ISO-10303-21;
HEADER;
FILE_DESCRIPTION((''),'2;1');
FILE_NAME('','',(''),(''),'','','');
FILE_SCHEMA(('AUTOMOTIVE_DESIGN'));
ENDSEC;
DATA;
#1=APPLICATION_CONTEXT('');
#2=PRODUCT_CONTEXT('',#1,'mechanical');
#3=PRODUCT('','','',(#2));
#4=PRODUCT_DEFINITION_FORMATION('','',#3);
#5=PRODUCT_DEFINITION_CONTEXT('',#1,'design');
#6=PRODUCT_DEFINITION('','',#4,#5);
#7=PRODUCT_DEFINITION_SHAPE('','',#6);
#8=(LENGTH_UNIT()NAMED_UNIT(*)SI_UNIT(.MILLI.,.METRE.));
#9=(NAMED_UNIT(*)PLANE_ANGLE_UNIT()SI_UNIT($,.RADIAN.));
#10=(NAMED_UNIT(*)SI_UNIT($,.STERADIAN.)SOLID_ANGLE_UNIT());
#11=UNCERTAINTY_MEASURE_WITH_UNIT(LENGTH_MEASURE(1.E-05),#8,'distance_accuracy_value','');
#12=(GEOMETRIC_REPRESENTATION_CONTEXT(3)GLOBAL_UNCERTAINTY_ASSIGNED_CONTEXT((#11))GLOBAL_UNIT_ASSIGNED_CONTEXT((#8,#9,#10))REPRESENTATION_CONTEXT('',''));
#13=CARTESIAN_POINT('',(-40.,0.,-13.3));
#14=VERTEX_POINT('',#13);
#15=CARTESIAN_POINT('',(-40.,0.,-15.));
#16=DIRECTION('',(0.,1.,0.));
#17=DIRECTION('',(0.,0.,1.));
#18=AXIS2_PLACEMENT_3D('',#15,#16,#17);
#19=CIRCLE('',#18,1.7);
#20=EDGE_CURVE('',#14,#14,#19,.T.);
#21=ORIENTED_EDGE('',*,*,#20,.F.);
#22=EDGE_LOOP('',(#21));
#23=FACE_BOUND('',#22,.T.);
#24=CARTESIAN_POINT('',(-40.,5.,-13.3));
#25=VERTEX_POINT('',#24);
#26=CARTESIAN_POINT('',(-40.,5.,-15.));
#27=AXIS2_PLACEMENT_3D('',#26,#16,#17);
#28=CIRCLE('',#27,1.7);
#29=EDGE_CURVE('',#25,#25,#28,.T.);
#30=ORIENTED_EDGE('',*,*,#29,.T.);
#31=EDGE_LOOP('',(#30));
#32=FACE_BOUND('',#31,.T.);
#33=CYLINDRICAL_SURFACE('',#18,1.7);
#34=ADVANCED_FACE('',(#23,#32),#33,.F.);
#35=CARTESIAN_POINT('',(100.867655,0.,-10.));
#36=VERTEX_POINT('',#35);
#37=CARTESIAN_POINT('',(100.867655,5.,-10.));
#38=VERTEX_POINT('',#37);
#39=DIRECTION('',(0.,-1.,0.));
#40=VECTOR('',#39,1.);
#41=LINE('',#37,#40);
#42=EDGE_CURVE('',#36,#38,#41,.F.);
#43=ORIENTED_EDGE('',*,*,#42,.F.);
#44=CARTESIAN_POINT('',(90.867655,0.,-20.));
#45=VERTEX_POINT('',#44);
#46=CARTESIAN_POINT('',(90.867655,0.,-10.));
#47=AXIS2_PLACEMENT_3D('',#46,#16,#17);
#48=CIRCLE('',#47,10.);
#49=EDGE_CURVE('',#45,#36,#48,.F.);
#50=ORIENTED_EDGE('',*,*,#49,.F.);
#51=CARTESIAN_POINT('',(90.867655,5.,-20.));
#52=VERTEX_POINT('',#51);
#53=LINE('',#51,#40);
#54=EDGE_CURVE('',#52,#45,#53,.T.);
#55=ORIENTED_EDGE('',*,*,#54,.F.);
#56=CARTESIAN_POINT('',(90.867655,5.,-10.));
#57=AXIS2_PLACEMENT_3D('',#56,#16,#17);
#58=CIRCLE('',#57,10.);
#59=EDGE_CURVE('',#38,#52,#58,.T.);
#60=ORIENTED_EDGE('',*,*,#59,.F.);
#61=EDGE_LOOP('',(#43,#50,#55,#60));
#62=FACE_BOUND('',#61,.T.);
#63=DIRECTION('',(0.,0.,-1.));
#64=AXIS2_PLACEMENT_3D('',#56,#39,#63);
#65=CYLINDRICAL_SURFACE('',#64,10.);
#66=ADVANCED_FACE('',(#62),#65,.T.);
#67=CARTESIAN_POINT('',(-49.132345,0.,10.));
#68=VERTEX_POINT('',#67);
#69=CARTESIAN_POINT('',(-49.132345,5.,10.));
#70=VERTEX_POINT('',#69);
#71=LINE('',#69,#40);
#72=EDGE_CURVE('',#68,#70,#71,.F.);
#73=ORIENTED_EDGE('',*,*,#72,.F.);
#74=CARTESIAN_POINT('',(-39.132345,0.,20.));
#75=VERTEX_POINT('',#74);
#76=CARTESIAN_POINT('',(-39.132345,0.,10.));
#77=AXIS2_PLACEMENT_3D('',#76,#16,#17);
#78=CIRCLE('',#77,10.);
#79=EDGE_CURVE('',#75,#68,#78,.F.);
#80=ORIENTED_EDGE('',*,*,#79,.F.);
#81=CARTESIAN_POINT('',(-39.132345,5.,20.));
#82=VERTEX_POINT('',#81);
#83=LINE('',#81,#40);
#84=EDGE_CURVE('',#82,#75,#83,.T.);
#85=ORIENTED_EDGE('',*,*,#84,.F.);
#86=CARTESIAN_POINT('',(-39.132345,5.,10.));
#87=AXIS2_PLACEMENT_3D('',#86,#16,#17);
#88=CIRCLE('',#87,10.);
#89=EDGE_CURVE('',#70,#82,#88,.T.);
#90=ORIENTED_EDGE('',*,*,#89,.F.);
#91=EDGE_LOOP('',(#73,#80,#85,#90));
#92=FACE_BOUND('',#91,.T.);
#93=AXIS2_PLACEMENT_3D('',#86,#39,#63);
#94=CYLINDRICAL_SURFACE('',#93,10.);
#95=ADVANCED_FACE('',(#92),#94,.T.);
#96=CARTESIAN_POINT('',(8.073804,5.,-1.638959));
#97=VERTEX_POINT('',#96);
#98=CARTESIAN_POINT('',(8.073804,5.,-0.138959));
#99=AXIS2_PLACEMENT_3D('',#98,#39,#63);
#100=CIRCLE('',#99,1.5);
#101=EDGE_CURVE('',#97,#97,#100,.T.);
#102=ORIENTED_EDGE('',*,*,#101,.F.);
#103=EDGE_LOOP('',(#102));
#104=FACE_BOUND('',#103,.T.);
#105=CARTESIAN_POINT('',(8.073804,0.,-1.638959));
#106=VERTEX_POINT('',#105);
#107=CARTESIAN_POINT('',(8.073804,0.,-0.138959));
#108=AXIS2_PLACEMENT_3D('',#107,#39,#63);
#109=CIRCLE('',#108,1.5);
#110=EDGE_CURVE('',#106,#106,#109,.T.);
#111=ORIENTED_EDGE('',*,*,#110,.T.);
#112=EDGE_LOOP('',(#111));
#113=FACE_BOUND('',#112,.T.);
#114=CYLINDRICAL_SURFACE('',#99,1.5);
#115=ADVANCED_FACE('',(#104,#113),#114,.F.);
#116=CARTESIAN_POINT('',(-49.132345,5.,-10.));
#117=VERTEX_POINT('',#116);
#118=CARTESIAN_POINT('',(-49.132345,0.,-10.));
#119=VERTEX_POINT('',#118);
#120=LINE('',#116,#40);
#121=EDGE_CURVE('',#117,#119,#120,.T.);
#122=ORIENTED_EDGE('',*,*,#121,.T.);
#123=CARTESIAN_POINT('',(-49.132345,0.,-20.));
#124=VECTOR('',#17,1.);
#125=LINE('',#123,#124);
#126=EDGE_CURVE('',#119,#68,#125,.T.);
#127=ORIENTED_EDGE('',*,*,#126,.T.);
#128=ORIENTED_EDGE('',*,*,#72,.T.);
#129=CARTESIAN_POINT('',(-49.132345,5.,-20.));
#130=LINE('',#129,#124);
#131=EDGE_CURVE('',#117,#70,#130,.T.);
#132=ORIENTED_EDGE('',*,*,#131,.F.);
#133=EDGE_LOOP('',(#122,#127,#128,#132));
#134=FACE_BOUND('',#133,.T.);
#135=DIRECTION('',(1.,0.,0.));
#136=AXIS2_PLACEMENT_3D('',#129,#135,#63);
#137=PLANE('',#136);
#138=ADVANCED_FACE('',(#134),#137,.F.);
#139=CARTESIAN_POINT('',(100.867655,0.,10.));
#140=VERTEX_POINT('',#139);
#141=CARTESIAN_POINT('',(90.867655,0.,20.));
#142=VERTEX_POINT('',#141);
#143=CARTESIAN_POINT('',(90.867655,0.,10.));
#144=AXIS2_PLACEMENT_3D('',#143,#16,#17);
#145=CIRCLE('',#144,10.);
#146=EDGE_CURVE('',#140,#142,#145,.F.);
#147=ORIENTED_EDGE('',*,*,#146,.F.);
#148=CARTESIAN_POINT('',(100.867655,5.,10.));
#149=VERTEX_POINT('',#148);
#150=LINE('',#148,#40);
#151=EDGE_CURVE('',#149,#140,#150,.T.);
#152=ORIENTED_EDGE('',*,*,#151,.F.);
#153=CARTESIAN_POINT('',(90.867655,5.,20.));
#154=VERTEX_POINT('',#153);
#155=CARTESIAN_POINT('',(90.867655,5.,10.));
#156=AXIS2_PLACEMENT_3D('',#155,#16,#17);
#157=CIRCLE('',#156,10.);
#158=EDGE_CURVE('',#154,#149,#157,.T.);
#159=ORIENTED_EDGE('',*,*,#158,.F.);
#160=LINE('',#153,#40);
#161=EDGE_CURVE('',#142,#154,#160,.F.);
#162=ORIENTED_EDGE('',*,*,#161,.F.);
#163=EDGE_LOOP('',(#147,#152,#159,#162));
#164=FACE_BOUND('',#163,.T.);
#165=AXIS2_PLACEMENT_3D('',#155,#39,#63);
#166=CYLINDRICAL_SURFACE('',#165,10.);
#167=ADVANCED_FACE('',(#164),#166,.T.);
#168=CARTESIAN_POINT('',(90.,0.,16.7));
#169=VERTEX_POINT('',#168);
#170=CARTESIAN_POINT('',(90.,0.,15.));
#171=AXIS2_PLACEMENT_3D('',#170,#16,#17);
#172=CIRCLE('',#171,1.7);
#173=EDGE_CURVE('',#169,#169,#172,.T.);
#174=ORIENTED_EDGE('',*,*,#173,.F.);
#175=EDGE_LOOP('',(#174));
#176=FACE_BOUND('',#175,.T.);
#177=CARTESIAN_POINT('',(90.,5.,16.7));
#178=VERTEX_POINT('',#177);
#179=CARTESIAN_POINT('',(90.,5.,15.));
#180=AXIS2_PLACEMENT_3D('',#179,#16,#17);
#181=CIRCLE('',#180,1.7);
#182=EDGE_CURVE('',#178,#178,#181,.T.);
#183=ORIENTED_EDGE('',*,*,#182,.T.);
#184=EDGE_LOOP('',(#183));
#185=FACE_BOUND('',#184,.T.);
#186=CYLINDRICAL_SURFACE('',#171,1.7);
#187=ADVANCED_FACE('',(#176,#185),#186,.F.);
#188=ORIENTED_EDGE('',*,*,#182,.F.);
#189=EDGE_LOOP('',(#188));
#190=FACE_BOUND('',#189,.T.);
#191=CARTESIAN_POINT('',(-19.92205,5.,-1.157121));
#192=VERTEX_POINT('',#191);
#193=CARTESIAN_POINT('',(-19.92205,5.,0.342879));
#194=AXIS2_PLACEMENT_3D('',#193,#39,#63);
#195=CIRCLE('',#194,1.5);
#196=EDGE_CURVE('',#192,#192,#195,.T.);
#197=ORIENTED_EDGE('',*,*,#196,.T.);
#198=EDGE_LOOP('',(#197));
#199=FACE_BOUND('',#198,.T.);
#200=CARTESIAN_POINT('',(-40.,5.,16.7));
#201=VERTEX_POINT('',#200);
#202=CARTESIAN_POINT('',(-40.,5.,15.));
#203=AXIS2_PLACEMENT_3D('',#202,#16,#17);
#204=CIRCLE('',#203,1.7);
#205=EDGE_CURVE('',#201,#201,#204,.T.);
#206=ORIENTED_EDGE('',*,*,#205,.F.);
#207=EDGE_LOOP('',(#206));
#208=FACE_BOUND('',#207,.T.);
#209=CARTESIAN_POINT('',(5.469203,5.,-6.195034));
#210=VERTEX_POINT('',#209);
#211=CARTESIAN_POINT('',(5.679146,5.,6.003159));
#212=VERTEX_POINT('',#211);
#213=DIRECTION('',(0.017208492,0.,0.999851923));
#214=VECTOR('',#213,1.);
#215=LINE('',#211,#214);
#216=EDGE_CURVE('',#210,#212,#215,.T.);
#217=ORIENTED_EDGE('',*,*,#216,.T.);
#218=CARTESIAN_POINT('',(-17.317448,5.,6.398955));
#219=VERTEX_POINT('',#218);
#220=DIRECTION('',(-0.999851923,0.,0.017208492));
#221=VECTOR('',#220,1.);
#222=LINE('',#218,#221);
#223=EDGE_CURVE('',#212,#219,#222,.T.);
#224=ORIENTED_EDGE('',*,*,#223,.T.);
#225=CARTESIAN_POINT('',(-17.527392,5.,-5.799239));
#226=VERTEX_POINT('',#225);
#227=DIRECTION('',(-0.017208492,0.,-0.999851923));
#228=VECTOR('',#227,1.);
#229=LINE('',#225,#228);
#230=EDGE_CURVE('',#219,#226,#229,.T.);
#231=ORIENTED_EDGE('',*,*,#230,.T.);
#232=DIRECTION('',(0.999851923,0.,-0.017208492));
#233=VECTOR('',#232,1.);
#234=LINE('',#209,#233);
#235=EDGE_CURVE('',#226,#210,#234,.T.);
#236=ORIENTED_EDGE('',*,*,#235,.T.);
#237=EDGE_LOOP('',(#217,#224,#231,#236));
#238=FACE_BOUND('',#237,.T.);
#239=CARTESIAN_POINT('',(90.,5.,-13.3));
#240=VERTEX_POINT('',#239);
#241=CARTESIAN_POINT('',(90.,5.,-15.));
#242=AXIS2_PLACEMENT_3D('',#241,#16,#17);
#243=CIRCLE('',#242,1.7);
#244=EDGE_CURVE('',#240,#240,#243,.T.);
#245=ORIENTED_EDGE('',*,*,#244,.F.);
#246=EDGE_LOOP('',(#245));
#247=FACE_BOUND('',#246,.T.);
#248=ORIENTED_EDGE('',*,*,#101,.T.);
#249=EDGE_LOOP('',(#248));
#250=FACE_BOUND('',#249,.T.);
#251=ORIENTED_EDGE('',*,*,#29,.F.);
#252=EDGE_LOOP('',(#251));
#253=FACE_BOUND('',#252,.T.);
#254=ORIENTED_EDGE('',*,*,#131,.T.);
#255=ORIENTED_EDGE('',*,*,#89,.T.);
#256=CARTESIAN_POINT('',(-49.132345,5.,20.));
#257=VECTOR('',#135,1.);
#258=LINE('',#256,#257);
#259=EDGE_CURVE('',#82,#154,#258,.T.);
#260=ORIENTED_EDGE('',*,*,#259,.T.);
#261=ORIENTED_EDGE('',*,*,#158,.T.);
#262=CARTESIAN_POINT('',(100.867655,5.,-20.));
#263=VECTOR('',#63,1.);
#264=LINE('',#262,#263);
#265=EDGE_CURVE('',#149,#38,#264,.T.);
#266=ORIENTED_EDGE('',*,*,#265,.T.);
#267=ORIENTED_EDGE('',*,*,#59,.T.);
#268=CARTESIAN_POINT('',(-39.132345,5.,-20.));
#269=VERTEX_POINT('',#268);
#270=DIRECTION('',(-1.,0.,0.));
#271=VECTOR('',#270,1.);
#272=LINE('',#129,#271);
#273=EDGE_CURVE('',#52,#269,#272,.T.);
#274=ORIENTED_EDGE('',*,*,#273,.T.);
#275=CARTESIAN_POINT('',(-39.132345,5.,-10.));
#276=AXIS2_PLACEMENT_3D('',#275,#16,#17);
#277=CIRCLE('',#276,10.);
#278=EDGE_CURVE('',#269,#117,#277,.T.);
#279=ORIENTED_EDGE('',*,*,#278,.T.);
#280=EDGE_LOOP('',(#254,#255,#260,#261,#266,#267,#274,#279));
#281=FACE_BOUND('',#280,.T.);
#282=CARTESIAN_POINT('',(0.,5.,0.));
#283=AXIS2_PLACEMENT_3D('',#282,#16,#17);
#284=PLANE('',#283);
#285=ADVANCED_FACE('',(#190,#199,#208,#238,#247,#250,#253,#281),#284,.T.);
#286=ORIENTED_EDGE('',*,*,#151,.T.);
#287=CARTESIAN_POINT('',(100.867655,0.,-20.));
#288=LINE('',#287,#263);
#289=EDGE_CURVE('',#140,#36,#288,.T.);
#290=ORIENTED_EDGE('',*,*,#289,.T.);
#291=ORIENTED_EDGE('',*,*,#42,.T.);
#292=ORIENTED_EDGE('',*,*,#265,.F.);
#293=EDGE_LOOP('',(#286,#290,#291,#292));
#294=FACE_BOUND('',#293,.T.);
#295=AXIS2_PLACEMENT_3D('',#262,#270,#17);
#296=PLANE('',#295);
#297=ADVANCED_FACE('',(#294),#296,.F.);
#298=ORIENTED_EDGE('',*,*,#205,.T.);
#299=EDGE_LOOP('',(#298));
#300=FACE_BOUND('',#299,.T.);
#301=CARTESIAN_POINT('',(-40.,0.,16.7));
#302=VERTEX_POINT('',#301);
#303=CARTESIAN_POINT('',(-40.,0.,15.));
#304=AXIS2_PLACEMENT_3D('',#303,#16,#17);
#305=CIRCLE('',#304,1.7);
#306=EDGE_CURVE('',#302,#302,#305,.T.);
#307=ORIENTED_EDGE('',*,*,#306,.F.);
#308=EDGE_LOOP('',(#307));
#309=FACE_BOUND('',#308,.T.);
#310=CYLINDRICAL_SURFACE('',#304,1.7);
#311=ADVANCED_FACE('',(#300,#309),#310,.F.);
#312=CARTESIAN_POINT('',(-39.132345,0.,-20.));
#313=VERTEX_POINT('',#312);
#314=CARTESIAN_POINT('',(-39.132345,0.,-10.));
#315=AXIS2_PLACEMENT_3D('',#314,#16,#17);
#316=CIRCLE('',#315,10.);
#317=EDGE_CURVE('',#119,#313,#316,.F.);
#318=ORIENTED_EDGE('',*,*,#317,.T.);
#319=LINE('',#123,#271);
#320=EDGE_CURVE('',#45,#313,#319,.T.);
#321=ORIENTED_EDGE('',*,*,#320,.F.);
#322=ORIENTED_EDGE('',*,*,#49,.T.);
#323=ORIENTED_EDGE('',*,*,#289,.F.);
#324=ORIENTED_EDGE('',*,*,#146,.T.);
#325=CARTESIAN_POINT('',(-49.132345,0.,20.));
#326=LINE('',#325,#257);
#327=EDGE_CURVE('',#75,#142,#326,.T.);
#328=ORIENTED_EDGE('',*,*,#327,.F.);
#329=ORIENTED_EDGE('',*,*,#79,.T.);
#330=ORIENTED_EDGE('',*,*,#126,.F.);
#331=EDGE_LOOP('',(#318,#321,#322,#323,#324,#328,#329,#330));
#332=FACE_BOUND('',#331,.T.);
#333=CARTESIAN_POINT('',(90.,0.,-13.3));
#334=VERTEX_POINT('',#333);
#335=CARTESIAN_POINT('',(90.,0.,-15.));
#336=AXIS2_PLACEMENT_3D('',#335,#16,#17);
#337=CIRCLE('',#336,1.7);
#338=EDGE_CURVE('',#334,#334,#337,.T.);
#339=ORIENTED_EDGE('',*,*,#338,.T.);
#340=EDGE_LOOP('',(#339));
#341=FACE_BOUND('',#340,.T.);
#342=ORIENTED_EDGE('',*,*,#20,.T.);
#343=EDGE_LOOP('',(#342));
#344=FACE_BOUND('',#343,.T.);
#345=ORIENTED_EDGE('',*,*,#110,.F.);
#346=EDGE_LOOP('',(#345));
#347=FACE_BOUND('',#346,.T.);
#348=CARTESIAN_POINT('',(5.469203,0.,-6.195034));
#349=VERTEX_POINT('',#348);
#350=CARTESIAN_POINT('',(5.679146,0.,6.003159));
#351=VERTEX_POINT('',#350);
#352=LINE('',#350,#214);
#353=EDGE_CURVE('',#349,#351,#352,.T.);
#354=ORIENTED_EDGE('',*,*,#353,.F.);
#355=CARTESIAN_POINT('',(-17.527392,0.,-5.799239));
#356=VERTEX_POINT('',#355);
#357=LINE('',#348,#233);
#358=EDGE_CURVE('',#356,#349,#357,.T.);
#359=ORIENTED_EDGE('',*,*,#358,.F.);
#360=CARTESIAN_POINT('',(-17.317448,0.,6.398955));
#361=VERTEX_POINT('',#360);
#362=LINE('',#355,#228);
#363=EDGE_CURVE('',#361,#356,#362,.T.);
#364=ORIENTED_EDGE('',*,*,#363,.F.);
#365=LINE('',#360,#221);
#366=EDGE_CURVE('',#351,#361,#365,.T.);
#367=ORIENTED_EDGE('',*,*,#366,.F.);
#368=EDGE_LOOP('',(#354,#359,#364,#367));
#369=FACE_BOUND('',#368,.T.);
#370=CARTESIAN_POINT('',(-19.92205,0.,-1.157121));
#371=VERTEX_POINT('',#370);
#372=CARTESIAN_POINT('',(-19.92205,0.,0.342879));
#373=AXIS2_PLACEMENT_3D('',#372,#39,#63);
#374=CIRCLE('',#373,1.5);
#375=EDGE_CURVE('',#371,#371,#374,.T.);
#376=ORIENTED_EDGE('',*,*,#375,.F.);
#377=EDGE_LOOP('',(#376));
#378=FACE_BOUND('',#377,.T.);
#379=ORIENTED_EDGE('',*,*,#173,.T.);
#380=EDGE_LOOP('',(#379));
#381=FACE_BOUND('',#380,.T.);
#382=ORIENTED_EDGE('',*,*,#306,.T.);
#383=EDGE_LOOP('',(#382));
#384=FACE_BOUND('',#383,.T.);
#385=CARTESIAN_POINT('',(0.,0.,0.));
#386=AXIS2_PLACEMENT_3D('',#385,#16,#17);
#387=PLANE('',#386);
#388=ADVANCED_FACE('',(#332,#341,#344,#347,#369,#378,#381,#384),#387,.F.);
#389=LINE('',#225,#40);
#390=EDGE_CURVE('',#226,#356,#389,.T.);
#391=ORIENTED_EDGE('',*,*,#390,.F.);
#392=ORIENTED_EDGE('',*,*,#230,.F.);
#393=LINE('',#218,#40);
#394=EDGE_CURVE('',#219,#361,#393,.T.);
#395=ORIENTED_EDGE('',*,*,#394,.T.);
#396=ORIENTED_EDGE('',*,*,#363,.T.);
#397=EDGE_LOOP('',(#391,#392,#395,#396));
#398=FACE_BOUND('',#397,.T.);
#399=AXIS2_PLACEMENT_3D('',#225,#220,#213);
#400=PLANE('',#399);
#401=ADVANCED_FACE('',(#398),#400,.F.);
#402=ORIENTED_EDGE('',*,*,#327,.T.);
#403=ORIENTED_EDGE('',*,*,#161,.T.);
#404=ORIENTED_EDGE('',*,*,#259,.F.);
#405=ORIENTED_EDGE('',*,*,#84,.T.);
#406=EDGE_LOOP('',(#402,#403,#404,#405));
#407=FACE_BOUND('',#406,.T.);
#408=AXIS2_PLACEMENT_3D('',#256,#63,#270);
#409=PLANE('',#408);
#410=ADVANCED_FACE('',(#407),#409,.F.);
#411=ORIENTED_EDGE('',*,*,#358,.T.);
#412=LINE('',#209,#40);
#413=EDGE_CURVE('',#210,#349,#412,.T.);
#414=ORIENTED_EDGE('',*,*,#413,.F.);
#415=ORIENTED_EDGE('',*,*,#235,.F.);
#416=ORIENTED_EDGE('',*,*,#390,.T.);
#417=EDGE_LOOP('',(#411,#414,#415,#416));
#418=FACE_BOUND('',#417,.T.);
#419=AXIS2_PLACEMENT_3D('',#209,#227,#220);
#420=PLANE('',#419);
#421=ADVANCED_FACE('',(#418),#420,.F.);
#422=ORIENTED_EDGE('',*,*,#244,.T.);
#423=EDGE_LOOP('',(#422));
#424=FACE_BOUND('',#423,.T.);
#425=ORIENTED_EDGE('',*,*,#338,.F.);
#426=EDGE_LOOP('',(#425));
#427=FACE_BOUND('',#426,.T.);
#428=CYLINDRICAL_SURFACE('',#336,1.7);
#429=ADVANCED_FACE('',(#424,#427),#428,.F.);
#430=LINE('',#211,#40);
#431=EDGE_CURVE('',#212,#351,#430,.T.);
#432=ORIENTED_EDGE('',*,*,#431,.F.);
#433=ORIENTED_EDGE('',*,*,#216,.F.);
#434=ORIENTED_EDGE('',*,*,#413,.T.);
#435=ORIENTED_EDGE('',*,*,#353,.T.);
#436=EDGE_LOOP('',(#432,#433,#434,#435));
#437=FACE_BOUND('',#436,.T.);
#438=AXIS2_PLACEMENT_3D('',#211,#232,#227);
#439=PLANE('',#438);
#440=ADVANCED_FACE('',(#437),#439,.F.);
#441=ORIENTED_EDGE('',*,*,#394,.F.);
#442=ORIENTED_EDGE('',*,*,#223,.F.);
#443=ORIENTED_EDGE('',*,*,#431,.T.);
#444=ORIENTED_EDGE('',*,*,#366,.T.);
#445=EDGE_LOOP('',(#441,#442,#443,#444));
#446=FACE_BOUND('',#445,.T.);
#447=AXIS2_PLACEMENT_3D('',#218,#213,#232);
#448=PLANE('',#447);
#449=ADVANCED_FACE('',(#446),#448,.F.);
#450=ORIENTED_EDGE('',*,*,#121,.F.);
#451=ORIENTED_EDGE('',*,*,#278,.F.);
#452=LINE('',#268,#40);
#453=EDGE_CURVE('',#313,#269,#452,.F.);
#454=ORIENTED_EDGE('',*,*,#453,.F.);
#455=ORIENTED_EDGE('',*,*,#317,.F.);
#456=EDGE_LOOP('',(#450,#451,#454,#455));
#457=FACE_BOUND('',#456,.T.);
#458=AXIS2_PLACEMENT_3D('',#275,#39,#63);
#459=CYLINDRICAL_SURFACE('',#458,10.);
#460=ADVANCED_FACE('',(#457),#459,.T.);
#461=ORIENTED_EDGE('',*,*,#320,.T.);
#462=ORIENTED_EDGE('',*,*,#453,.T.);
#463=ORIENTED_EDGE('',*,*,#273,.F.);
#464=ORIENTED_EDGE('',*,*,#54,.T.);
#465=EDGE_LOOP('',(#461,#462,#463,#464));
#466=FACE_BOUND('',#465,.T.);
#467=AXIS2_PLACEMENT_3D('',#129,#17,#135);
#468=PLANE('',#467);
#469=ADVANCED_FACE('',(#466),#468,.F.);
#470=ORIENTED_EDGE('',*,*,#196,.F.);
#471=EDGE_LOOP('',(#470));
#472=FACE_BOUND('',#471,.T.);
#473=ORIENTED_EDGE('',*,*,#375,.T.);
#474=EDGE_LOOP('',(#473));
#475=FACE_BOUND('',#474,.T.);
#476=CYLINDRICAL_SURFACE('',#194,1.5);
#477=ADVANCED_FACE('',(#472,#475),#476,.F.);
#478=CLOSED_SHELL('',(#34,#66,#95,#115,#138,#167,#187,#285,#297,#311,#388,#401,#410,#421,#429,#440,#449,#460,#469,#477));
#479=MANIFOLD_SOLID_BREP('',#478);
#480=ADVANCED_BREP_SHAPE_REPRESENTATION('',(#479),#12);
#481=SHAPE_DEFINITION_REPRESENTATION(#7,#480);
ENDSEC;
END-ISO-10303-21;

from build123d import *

# Parameters (mm, degrees)
SKETCH9_W           = 150
SKETCH9_H           = 40
BOSS_EXTRUDE5_DEPTH = 5
SKETCH11_R          = 1.7
CUT_EXTRUDE6_DEPTH  = 103.952823134
FILLET1_R           = 10
SKETCH13_R          = 1.5
CUT_EXTRUDE7_DEPTH  = 103.952823134


with BuildPart() as part:
    # Sketch9 → Boss-Extrude5 (new body)
    with BuildSketch(Plane(origin=(0, 0, 0), x_dir=(1, 0, 0), z_dir=(0, 1, 0))):
        with Locations((25.867654831, 0)):
            Rectangle(SKETCH9_W, SKETCH9_H)
    extrude(amount=BOSS_EXTRUDE5_DEPTH)

    # Sketch11 → Cut-Extrude6 (cut, through all)
    with BuildSketch(Plane(origin=(0, 5, 0), x_dir=(1, 0, 0), z_dir=(0, 1, 0))):
        with Locations(Location((-40, 15, 0), (0, 0, 270))):
            Circle(SKETCH11_R)
        with Locations(Location((90, 15, 0), (0, 0, 270))):
            Circle(SKETCH11_R)
        with Locations(Location((90, -15, 0), (0, 0, 270))):
            Circle(SKETCH11_R)
        with Locations(Location((-40, -15, 0), (0, 0, 270))):
            Circle(SKETCH11_R)
    extrude(amount=-CUT_EXTRUDE6_DEPTH, mode=Mode.SUBTRACT)

    # Fillet1
    fillet1_edges = [part.edges().sort_by_distance(p)[0] for p in [
        (100.867654831, 2.5, 20),
        (-49.132345169, 2.5, 20),
        (-49.132345169, 2.5, -20),
        (100.867654831, 2.5, -20),
    ]]
    fillet(fillet1_edges, radius=FILLET1_R)

    # Sketch13 → Cut-Extrude7 (cut, through all)
    with BuildSketch(Plane.XZ):
        with Locations(Location((8.073804278, -0.138958576, 0), (0, 0, 270))):
            Circle(SKETCH13_R)
        with Locations(Location((-19.922049564, 0.342879212, 0), (0, 0, 270))):
            Circle(SKETCH13_R)
        Polygon((-17.527391561, -5.799238749), (-17.317447953, 6.398954711), (5.679146274, 6.003159385), (5.469202666, -6.195034075), align=None)
    extrude(amount=-CUT_EXTRUDE7_DEPTH, mode=Mode.SUBTRACT)


solid = part.part
